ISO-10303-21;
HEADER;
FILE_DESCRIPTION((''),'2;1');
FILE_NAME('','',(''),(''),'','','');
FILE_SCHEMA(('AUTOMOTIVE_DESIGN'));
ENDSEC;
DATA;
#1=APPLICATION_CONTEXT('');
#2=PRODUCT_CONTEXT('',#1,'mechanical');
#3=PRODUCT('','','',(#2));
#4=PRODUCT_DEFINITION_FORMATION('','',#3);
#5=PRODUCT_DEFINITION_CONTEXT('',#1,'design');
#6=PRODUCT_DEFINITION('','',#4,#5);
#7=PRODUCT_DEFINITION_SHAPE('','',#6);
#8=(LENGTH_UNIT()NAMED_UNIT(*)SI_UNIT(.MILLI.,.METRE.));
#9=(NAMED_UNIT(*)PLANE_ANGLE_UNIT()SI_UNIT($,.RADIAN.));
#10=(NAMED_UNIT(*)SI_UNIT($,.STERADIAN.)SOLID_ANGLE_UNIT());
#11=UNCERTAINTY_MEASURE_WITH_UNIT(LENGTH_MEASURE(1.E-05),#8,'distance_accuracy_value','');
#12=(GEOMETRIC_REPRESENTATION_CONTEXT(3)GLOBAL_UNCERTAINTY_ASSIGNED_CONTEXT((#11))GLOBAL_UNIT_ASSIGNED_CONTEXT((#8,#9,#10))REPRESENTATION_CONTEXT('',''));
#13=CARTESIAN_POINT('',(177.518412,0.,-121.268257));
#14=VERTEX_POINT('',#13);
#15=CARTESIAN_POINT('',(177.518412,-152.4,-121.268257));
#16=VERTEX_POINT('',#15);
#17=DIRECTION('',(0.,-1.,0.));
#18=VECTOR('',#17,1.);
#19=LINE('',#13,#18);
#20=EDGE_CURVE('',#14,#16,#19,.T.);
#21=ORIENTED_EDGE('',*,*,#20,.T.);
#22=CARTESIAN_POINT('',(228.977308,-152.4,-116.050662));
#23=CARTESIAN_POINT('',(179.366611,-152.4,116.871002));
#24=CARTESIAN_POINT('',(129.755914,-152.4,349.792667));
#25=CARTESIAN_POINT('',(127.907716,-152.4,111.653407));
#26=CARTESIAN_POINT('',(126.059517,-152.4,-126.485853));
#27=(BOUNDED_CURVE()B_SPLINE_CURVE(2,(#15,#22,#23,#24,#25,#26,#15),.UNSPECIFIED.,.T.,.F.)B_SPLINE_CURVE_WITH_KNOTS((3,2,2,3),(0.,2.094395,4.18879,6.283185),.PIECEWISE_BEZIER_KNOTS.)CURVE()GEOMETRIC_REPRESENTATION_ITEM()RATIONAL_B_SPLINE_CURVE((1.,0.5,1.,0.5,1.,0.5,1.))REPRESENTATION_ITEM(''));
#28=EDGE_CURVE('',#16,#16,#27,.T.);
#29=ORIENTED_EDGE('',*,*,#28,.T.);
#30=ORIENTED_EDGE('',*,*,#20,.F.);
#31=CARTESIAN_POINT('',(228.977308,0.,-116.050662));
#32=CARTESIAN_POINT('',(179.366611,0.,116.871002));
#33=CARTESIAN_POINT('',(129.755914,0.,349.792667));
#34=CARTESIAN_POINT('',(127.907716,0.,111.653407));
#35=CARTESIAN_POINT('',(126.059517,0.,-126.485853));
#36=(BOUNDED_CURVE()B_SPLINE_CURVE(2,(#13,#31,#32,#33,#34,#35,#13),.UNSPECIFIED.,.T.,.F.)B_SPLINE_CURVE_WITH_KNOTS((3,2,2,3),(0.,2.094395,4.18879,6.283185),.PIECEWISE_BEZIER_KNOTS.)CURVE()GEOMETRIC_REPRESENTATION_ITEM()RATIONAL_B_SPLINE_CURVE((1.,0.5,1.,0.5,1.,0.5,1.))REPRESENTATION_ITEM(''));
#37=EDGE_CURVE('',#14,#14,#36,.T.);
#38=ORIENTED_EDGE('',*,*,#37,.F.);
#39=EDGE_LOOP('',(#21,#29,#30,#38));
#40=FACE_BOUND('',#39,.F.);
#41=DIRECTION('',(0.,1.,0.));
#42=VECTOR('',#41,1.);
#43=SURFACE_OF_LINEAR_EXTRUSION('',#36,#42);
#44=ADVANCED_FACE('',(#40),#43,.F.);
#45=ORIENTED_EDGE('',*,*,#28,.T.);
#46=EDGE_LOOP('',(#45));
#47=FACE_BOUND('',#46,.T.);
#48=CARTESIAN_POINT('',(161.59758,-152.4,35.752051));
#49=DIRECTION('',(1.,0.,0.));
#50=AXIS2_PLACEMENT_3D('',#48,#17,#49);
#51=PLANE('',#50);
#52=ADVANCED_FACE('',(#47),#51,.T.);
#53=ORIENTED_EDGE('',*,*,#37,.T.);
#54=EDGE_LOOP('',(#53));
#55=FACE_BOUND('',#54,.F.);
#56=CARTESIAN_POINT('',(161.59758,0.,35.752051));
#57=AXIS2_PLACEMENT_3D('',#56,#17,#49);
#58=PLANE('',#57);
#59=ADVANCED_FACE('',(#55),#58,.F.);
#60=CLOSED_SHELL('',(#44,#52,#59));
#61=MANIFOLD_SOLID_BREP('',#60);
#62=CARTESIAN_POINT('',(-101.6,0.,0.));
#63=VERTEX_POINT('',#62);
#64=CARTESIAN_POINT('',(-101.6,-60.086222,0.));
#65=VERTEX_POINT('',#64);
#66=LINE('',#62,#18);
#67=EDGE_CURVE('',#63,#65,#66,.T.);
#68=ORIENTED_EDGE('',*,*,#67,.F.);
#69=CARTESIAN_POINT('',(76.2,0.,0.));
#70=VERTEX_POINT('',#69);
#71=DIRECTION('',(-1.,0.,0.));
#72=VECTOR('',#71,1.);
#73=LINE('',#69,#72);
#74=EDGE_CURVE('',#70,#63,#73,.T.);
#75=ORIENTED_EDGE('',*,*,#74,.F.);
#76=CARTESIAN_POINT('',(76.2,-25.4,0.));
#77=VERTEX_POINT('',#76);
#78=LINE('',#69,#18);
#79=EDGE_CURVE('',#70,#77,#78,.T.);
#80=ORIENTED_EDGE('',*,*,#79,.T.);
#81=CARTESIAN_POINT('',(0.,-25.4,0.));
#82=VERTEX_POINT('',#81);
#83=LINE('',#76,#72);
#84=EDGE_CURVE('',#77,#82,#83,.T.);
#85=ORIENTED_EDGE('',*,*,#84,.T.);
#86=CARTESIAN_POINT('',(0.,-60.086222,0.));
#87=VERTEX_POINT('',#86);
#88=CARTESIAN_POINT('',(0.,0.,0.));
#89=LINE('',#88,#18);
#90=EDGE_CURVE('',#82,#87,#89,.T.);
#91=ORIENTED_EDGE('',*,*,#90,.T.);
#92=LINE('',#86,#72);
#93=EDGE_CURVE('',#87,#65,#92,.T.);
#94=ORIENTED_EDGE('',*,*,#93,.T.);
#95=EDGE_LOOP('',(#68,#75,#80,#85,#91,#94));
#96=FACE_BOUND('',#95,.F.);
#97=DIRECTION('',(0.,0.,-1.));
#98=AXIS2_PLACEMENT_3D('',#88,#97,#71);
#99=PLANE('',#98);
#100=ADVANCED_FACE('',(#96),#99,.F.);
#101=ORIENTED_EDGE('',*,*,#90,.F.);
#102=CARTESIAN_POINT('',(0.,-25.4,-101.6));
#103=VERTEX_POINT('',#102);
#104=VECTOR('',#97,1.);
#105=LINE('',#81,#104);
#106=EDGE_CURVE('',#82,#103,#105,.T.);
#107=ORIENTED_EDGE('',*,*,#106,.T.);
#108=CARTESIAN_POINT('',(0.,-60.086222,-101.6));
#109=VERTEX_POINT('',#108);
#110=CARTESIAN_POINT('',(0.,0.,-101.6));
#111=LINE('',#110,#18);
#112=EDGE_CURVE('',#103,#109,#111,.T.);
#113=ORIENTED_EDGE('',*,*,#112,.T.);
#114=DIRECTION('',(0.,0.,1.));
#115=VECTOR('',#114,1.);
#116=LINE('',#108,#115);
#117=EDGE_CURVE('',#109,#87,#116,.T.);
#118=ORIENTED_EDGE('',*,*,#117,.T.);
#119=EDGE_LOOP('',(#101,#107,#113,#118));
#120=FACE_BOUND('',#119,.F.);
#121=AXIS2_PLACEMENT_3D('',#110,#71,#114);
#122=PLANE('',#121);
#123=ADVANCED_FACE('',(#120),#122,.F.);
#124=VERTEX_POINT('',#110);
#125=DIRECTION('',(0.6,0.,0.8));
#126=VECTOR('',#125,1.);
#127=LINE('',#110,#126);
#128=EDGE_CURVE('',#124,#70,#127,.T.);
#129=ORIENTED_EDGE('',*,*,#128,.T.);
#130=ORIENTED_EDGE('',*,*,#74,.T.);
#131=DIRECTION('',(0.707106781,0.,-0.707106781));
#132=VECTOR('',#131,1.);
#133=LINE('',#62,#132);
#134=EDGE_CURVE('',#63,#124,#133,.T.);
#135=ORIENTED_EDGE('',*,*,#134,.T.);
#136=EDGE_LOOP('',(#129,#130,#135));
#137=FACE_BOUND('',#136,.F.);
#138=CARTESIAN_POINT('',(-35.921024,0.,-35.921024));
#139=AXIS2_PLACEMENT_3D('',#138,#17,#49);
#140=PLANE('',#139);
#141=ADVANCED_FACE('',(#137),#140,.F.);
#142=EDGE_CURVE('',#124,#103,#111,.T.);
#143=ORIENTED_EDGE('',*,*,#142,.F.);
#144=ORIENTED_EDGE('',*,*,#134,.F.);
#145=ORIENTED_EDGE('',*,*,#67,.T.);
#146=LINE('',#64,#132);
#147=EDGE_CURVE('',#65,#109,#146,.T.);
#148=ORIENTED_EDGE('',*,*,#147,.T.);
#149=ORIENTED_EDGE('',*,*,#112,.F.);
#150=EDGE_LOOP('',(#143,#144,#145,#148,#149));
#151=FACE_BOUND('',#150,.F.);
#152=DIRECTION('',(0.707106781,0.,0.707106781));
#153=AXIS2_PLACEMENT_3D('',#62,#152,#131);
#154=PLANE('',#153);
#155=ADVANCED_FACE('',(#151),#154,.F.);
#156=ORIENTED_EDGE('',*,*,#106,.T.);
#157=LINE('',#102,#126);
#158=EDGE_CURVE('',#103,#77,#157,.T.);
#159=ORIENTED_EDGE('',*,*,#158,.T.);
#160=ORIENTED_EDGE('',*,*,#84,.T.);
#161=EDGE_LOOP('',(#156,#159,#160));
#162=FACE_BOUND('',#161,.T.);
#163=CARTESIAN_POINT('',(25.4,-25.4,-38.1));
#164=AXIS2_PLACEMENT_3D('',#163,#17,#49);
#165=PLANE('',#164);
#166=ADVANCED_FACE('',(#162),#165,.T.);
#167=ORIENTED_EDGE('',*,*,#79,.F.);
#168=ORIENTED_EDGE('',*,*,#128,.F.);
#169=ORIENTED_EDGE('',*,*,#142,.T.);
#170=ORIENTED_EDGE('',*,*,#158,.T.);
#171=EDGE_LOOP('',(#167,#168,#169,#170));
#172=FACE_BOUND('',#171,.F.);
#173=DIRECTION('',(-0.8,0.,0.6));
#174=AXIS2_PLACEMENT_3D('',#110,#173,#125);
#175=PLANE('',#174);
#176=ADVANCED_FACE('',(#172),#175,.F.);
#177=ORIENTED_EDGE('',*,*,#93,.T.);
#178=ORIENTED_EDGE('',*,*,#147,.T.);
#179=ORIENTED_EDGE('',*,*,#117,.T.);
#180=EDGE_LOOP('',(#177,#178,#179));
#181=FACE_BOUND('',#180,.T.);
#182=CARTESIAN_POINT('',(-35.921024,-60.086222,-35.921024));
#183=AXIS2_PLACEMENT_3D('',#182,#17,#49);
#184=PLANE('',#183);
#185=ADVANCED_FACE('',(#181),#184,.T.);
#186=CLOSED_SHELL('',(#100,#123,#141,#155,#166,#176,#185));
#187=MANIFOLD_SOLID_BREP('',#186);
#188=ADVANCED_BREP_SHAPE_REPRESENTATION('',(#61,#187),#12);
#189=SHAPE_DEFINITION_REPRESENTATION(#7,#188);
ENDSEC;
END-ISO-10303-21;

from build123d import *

# Parameters (mm, degrees)
F2_DEPTH = 25.4
F3_DEPTH = 60.086222
F5_DEPTH = 152.4


with BuildPart() as f2:
    # F0 (on Front) → F2 (new body)
    with BuildSketch(Plane.XZ):
        Polygon((76.2, 0), (0, 0), (0, -101.6), align=None)
    extrude(amount=F2_DEPTH)

    # F1 (on face) → F3 (join)
    with BuildSketch(Plane.XZ):
        Polygon((0, -101.6), (0, 0), (-101.6, 0), align=None)
    extrude(amount=F3_DEPTH)


with BuildPart() as f5:
    # F4 (on Front) → F5 (new body)
    with BuildSketch(Plane.XZ):
        with BuildLine():
            add(Edge.make_bspline(
                [(177.518412, -121.268257), (228.977308, -116.050662), (179.366611, 116.871002), (129.755914, 349.792667), (127.907716, 111.653407), (126.059517, -126.485853), (177.518412, -121.268257)],
                knots=[0, 0, 0, 2.094395, 2.094395, 4.18879, 4.18879, 6.283185, 6.283185, 6.283185], degree=2, weights=[1, 0.5, 1, 0.5, 1, 0.5, 1]))
        make_face()
    extrude(amount=F5_DEPTH)


solid = Compound([f2.part, f5.part])
